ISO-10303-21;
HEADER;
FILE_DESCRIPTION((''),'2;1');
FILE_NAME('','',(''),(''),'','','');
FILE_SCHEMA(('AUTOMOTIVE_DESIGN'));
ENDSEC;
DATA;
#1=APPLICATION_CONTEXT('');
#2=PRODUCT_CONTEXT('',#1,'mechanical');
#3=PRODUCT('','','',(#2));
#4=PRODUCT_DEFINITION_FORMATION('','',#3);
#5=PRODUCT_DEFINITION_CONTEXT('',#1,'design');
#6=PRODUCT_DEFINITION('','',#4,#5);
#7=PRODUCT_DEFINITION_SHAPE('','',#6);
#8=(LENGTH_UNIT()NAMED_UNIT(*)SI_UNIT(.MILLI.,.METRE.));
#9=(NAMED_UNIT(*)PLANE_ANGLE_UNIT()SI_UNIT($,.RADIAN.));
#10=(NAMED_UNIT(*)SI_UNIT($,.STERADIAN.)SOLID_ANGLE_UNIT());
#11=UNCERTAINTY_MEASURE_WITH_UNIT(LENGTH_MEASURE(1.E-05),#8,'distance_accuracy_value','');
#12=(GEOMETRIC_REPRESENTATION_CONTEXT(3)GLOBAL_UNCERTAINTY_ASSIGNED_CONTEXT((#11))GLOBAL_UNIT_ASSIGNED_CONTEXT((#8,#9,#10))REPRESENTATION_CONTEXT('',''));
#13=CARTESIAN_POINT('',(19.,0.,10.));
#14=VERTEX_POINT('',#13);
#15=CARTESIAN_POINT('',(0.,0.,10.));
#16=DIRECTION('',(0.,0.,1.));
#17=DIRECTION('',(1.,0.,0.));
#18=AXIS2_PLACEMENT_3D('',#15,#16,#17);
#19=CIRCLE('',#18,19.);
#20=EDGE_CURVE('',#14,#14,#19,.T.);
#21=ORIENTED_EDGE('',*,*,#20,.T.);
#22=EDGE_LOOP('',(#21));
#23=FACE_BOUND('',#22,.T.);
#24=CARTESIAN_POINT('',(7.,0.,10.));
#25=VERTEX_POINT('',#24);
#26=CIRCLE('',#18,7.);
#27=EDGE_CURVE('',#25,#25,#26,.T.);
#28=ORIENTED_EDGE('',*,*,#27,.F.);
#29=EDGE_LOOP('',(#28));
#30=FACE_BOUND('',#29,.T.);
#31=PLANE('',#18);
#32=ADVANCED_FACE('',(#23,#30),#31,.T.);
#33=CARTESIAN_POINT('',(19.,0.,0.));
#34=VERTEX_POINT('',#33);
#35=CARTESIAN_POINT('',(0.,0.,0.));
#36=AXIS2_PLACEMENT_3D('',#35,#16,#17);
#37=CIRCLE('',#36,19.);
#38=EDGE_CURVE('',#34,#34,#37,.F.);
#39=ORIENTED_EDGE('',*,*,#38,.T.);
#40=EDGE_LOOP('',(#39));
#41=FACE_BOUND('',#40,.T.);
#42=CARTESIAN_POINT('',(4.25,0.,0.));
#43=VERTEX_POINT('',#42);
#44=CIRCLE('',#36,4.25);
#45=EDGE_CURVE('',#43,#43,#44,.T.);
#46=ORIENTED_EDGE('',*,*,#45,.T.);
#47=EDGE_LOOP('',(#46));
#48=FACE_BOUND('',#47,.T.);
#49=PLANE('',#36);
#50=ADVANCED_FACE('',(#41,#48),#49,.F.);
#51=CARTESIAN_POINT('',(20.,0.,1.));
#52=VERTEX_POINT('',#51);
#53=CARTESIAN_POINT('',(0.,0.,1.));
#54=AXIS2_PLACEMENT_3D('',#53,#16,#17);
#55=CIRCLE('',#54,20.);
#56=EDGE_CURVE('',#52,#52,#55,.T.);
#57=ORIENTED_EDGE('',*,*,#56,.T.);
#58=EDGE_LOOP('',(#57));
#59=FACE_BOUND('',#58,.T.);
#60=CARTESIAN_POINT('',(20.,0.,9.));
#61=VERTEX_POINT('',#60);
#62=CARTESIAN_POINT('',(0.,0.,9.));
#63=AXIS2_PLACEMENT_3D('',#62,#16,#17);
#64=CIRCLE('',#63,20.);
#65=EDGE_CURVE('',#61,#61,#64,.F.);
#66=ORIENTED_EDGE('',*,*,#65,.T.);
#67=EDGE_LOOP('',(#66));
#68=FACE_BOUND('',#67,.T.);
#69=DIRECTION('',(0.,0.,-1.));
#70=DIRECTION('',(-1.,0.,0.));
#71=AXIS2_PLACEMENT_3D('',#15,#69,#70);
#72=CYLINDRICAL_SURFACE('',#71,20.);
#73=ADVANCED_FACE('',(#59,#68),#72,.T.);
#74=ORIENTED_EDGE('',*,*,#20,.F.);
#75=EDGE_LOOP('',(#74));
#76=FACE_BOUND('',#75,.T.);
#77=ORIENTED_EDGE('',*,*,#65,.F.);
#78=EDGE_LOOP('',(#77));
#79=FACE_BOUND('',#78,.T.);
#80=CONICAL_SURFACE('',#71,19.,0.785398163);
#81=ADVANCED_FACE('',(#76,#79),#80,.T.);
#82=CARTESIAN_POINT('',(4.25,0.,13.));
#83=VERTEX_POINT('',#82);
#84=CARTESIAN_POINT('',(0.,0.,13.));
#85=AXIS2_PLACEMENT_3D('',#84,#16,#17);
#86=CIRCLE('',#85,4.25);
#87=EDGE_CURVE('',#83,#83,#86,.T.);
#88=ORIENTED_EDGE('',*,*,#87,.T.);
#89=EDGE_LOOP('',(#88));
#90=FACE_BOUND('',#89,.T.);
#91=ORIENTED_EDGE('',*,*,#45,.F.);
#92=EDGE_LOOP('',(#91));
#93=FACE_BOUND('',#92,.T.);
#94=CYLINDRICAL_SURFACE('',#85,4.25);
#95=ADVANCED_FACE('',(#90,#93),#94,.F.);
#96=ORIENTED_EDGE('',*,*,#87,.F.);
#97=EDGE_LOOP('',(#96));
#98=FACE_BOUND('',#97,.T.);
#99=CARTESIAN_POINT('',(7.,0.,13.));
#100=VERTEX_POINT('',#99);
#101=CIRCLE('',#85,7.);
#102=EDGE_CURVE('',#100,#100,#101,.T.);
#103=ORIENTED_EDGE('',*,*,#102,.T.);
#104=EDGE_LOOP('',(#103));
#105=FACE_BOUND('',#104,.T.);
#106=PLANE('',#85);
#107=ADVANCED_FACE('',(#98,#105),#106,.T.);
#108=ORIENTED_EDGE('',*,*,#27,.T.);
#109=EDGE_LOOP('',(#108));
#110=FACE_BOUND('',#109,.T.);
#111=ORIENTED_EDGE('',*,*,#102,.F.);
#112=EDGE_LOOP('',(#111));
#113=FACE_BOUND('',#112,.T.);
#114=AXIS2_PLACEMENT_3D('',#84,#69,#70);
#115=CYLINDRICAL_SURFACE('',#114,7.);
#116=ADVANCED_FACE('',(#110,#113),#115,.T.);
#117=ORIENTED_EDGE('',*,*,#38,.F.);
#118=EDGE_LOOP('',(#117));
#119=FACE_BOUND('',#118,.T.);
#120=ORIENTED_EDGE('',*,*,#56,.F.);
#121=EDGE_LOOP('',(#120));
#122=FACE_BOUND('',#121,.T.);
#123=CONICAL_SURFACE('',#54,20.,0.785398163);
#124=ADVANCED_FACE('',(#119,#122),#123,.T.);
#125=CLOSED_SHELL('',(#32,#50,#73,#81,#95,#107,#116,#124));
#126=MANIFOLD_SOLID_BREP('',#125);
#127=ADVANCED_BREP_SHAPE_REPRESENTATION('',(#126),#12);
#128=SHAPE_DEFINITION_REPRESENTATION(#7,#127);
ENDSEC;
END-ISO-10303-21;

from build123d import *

# Parameters (mm, degrees)
ESQUISSE1_R        = 20
BOSS_EXTRU_1_DEPTH = 10
CHANFREIN1_SIZE    = 1
ESQUISSE2_R        = 7
BOSS_EXTRU_2_DEPTH = 3
TROU_TARAUD_M101_D = 8.5


with BuildPart() as part:
    # Esquisse1 → Boss.-Extru.1 (new body)
    with BuildSketch(Plane.XY):
        Circle(ESQUISSE1_R)
    extrude(amount=BOSS_EXTRU_1_DEPTH)

    # Chanfrein1
    chanfrein1_edges = [part.edges().sort_by_distance(p)[0] for p in [
        (-20, 0, 0),
        (-20, 0, 10),
    ]]
    chamfer(chanfrein1_edges, length=CHANFREIN1_SIZE)

    # Esquisse2 → Boss.-Extru.2 (add)
    with BuildSketch(Plane.XY.offset(10)):
        Circle(ESQUISSE2_R)
    extrude(amount=BOSS_EXTRU_2_DEPTH)

    # Trou taraudé M101 (through all)
    with Locations(Plane.XY.offset(13)):
        with Locations((0, 0)):
            Hole(TROU_TARAUD_M101_D / 2)


solid = part.part
